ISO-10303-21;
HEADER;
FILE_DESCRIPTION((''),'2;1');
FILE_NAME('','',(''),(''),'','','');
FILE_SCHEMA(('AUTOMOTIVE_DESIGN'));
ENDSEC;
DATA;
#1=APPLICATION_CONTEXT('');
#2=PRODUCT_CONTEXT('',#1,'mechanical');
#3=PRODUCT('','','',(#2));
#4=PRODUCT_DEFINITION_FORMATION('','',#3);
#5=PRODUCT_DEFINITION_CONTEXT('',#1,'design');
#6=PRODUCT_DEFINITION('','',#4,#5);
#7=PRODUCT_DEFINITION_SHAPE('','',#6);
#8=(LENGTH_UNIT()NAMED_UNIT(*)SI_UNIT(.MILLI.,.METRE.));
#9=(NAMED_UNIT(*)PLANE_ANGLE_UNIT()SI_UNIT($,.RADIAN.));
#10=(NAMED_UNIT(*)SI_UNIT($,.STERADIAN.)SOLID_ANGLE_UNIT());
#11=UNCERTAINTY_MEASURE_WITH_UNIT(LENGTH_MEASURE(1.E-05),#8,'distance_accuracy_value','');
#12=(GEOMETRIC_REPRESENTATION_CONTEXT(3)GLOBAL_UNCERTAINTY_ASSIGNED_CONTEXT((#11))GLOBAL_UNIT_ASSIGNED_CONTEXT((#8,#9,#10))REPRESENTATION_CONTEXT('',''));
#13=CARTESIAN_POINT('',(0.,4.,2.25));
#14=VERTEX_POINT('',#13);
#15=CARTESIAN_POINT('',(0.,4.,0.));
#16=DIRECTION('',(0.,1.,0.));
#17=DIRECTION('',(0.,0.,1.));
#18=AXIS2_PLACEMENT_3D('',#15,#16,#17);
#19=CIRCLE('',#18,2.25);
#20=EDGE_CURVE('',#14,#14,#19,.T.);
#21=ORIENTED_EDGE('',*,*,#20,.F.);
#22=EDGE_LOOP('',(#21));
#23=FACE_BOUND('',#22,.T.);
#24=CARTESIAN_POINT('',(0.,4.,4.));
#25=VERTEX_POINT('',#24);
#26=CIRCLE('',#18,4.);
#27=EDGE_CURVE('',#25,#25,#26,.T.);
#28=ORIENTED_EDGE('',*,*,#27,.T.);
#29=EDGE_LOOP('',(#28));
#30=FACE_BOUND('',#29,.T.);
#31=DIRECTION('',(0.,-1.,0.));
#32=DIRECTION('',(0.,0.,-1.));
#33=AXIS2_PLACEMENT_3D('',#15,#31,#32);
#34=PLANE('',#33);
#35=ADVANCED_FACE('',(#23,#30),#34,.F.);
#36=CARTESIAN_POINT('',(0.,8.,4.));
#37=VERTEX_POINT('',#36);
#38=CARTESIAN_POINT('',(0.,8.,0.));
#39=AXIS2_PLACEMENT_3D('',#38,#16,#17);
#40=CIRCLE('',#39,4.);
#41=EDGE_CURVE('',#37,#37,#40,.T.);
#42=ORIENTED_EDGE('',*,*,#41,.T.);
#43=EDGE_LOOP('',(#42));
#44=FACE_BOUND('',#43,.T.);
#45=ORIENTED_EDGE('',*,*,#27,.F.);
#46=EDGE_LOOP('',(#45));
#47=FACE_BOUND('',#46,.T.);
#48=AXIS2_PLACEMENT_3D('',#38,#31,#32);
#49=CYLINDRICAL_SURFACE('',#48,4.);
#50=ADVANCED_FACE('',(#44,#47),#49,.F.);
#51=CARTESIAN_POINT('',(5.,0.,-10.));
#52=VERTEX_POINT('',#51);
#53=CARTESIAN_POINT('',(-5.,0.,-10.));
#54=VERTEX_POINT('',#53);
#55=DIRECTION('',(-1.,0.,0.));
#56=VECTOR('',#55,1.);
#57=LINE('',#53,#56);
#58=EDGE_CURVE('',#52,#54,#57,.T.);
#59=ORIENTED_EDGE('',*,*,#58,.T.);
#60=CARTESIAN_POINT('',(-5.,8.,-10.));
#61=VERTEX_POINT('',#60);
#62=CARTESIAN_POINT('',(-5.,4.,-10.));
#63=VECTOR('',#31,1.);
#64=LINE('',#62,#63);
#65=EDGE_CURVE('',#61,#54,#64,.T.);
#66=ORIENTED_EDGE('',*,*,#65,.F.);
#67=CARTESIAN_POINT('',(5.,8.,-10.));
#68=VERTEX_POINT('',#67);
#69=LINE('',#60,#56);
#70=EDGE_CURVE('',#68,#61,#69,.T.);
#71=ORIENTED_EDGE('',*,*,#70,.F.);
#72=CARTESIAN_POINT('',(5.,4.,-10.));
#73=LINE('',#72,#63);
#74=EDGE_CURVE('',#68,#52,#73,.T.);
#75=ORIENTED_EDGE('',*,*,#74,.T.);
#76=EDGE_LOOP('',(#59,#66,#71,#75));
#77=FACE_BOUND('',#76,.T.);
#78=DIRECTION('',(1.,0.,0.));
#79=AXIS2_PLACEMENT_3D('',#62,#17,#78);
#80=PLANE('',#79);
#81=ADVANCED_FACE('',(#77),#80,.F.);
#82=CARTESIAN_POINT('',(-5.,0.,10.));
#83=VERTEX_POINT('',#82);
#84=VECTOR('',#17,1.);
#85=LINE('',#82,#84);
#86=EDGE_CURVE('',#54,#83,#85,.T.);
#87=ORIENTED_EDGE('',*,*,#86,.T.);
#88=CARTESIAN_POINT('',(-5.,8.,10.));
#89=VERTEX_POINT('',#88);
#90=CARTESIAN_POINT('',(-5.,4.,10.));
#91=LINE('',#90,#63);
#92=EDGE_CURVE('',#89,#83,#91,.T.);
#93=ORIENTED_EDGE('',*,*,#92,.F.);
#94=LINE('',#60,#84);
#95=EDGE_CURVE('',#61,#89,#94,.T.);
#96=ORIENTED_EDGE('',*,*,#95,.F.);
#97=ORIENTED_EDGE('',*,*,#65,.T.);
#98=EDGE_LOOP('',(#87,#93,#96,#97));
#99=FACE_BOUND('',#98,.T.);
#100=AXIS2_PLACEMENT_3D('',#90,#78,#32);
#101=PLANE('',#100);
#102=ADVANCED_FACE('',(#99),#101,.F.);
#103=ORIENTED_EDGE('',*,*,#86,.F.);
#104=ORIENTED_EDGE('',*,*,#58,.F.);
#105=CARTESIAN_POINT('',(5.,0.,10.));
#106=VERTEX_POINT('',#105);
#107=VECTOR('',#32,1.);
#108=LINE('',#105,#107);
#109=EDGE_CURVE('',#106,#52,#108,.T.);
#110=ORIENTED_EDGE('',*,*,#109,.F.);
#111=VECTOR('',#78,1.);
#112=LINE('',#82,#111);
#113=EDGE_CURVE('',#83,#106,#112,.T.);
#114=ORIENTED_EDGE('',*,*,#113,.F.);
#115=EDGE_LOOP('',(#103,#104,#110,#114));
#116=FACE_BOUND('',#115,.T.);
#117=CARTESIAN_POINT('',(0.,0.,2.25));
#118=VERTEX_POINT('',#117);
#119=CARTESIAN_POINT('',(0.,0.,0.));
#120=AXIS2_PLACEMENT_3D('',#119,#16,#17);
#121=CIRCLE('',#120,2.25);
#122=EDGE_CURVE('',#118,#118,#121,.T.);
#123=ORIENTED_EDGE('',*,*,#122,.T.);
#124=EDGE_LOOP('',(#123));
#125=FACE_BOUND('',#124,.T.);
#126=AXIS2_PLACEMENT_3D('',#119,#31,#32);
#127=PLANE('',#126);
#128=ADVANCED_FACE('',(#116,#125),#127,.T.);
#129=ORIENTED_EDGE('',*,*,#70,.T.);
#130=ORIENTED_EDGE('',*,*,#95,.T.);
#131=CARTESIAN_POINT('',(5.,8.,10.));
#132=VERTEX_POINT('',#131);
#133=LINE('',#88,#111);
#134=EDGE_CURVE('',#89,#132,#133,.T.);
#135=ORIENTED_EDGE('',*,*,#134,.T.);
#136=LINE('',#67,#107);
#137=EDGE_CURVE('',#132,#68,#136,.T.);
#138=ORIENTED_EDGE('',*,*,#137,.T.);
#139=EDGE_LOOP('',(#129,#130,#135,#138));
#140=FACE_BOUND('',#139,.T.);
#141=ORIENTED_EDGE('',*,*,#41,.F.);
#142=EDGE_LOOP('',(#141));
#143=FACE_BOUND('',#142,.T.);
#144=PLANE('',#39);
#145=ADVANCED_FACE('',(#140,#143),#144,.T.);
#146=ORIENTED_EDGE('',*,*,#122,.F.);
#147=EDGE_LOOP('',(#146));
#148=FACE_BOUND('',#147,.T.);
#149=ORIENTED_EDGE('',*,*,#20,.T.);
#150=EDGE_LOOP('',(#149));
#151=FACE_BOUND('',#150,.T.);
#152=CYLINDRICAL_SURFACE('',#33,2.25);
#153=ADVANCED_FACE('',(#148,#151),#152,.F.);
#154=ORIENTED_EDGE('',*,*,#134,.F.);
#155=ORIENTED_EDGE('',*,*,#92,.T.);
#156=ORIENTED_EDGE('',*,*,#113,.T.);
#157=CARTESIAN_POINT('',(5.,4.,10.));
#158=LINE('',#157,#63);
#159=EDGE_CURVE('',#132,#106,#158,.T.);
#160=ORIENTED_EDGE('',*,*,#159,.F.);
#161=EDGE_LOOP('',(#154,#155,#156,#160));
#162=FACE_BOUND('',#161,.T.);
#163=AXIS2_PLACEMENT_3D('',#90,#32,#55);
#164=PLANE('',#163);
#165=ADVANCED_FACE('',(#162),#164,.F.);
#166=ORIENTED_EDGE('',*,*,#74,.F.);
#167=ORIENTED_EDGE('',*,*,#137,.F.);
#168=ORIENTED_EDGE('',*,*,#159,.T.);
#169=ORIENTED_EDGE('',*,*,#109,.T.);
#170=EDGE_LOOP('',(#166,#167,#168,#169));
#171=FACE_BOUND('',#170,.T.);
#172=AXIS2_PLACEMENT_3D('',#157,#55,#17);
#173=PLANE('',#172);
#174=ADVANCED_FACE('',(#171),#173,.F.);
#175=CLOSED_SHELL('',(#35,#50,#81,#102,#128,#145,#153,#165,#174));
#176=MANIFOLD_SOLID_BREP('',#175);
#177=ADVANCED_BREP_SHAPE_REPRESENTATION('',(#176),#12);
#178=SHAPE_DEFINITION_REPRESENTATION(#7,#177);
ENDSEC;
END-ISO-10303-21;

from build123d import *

# Parameters (mm, degrees)
SKETCH1_W           = 10
SKETCH1_H           = 20
SKETCH1_R           = 2.25
BOSS_EXTRUDE1_DEPTH = 4
SKETCH2_W           = 10
SKETCH2_H           = 20
SKETCH2_R           = 4
BOSS_EXTRUDE2_DEPTH = 4


with BuildPart() as part:
    # Sketch1 → Boss-Extrude1 (new body)
    with BuildSketch(Plane(origin=(0, 0, 0), x_dir=(1, 0, 0), z_dir=(0, 1, 0))):
        Rectangle(SKETCH1_W, SKETCH1_H)
        Circle(SKETCH1_R, mode=Mode.SUBTRACT)
    extrude(amount=BOSS_EXTRUDE1_DEPTH)

    # Sketch2 → Boss-Extrude2 (add)
    with BuildSketch(Plane(origin=(0, 4, 0), x_dir=(1, 0, 0), z_dir=(0, 1, 0))):
        Rectangle(SKETCH2_W, SKETCH2_H)
        Circle(SKETCH2_R, mode=Mode.SUBTRACT)
    extrude(amount=BOSS_EXTRUDE2_DEPTH)


solid = part.part
